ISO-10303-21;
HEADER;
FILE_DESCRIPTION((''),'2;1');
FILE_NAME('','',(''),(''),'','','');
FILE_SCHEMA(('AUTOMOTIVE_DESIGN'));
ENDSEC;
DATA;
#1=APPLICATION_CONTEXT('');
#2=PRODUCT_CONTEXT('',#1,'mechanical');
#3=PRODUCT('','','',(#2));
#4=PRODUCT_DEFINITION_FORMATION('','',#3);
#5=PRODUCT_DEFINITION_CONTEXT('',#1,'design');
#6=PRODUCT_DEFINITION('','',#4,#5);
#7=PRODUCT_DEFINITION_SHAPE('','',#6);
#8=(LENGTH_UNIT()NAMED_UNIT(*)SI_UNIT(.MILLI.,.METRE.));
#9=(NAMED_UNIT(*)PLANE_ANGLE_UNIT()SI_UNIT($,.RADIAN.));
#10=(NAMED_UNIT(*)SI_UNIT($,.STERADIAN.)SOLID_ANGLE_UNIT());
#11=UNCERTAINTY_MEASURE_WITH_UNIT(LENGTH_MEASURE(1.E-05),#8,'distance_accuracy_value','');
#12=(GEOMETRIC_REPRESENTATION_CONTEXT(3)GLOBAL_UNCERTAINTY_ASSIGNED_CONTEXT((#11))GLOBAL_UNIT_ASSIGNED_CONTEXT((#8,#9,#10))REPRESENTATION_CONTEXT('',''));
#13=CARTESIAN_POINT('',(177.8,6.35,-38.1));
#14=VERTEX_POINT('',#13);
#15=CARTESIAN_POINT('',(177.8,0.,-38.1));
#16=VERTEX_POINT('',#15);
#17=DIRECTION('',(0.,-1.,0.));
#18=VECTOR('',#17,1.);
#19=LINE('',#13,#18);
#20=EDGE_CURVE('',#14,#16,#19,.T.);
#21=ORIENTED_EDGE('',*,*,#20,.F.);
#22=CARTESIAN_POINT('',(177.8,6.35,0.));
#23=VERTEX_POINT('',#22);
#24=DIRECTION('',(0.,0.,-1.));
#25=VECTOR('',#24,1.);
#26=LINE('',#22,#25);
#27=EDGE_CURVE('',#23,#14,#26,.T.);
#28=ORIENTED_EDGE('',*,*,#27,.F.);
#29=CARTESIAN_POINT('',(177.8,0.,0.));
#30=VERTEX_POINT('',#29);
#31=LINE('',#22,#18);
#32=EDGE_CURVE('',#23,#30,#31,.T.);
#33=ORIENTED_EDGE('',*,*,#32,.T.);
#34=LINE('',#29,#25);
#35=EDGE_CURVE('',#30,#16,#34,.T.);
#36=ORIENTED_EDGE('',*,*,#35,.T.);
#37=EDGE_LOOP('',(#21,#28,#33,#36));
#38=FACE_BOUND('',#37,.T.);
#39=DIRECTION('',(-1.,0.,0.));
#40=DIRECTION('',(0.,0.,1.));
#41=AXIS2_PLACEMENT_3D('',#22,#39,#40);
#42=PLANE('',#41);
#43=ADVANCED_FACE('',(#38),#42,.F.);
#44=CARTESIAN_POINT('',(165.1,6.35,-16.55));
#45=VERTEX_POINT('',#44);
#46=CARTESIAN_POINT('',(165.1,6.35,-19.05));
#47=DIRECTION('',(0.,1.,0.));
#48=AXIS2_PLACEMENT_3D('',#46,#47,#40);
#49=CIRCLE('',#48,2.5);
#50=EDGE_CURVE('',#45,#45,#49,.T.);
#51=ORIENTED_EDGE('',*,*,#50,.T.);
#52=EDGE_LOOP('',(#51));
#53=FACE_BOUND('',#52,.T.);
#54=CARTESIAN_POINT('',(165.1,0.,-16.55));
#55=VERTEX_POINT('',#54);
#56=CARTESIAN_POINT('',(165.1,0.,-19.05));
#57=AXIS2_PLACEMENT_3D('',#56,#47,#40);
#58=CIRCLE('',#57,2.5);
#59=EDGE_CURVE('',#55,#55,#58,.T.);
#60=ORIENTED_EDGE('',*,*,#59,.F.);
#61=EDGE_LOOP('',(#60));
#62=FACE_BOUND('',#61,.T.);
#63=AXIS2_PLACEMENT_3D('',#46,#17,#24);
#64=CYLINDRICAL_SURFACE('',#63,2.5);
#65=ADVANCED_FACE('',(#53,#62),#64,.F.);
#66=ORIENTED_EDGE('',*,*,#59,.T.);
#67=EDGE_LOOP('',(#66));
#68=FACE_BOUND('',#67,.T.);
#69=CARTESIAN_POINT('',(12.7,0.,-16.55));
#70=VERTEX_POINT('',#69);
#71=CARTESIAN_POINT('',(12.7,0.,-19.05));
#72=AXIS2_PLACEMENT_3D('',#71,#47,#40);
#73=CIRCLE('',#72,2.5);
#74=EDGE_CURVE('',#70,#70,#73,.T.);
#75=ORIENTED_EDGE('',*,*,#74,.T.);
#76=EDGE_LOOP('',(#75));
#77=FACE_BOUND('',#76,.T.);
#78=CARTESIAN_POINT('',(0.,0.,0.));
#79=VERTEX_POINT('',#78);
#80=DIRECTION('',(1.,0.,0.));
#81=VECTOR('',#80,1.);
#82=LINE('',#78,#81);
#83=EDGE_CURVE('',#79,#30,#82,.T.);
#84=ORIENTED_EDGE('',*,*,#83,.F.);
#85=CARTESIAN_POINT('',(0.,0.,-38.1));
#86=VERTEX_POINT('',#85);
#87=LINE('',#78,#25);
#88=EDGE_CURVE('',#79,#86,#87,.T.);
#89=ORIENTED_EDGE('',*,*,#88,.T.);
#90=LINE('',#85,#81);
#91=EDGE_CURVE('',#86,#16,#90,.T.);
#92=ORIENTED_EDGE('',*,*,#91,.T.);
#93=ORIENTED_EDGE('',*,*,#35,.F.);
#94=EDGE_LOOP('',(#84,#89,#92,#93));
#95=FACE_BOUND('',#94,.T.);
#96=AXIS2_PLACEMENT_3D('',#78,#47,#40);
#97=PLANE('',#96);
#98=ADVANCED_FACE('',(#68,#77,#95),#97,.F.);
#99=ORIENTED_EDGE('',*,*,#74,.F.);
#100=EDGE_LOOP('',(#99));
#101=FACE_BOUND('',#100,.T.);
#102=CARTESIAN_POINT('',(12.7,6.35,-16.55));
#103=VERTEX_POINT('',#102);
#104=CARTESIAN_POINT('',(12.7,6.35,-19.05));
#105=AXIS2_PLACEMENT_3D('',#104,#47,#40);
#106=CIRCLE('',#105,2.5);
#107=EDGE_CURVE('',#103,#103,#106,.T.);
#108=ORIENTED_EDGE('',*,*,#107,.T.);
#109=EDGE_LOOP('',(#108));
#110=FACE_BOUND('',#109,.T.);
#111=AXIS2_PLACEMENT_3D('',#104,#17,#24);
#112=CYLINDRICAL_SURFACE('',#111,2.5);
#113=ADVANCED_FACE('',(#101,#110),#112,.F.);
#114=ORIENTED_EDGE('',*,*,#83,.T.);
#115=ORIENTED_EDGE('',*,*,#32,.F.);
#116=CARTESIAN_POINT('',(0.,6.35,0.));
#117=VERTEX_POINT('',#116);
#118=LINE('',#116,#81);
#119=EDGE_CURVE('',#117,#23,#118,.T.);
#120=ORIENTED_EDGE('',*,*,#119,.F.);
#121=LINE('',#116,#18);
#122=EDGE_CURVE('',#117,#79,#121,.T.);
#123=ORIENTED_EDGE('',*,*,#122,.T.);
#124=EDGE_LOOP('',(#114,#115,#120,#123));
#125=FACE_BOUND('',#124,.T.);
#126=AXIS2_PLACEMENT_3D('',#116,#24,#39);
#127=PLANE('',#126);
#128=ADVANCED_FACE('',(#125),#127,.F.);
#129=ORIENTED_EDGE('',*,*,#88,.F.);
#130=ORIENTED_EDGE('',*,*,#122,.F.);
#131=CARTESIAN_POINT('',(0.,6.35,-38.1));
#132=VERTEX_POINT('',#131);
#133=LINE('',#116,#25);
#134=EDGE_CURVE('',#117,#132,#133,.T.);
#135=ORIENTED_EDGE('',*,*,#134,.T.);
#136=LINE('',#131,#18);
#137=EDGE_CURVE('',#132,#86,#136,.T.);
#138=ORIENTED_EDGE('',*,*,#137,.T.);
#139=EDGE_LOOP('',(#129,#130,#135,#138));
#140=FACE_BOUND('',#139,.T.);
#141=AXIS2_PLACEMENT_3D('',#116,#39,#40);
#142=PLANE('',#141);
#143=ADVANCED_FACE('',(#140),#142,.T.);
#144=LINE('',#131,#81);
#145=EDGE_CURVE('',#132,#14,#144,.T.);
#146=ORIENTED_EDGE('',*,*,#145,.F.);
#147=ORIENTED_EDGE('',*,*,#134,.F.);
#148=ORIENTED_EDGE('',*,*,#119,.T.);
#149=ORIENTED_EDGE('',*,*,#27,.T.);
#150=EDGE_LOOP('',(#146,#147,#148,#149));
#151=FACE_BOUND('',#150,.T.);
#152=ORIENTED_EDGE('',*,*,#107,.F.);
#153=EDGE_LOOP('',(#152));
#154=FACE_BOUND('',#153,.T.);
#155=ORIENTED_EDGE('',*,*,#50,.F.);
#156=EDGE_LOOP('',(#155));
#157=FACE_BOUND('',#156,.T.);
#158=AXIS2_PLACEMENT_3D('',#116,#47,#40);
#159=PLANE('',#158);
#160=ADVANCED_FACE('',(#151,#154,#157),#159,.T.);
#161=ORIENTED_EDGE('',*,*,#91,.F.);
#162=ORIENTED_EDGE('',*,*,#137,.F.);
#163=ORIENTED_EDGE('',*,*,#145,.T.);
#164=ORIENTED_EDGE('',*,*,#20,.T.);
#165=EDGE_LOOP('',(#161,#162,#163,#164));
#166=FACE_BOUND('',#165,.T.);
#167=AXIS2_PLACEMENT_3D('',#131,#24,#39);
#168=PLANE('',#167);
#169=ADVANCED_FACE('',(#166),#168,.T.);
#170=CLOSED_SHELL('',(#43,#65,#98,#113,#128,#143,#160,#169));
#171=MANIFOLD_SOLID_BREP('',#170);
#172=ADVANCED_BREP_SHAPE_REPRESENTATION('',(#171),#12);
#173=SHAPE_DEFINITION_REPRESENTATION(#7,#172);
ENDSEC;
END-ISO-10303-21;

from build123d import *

# Parameters (mm, degrees)
SKETCH1_W           = 177.8
SKETCH1_H           = 38.1
SKETCH1_R           = 2.5
BOSS_EXTRUDE1_DEPTH = 6.35


with BuildPart() as part:
    # Sketch1 → Boss-Extrude1 (new body)
    with BuildSketch(Plane(origin=(0, 0, 0), x_dir=(1, 0, 0), z_dir=(0, 1, 0))):
        with Locations((88.9, 19.05)):
            Rectangle(SKETCH1_W, SKETCH1_H)
        with Locations(Location((12.7, 19.05, 0), (0, 0, 270))):
            Circle(SKETCH1_R, mode=Mode.SUBTRACT)
        with Locations(Location((165.1, 19.05, 0), (0, 0, 270))):
            Circle(SKETCH1_R, mode=Mode.SUBTRACT)
    extrude(amount=BOSS_EXTRUDE1_DEPTH)


solid = part.part
